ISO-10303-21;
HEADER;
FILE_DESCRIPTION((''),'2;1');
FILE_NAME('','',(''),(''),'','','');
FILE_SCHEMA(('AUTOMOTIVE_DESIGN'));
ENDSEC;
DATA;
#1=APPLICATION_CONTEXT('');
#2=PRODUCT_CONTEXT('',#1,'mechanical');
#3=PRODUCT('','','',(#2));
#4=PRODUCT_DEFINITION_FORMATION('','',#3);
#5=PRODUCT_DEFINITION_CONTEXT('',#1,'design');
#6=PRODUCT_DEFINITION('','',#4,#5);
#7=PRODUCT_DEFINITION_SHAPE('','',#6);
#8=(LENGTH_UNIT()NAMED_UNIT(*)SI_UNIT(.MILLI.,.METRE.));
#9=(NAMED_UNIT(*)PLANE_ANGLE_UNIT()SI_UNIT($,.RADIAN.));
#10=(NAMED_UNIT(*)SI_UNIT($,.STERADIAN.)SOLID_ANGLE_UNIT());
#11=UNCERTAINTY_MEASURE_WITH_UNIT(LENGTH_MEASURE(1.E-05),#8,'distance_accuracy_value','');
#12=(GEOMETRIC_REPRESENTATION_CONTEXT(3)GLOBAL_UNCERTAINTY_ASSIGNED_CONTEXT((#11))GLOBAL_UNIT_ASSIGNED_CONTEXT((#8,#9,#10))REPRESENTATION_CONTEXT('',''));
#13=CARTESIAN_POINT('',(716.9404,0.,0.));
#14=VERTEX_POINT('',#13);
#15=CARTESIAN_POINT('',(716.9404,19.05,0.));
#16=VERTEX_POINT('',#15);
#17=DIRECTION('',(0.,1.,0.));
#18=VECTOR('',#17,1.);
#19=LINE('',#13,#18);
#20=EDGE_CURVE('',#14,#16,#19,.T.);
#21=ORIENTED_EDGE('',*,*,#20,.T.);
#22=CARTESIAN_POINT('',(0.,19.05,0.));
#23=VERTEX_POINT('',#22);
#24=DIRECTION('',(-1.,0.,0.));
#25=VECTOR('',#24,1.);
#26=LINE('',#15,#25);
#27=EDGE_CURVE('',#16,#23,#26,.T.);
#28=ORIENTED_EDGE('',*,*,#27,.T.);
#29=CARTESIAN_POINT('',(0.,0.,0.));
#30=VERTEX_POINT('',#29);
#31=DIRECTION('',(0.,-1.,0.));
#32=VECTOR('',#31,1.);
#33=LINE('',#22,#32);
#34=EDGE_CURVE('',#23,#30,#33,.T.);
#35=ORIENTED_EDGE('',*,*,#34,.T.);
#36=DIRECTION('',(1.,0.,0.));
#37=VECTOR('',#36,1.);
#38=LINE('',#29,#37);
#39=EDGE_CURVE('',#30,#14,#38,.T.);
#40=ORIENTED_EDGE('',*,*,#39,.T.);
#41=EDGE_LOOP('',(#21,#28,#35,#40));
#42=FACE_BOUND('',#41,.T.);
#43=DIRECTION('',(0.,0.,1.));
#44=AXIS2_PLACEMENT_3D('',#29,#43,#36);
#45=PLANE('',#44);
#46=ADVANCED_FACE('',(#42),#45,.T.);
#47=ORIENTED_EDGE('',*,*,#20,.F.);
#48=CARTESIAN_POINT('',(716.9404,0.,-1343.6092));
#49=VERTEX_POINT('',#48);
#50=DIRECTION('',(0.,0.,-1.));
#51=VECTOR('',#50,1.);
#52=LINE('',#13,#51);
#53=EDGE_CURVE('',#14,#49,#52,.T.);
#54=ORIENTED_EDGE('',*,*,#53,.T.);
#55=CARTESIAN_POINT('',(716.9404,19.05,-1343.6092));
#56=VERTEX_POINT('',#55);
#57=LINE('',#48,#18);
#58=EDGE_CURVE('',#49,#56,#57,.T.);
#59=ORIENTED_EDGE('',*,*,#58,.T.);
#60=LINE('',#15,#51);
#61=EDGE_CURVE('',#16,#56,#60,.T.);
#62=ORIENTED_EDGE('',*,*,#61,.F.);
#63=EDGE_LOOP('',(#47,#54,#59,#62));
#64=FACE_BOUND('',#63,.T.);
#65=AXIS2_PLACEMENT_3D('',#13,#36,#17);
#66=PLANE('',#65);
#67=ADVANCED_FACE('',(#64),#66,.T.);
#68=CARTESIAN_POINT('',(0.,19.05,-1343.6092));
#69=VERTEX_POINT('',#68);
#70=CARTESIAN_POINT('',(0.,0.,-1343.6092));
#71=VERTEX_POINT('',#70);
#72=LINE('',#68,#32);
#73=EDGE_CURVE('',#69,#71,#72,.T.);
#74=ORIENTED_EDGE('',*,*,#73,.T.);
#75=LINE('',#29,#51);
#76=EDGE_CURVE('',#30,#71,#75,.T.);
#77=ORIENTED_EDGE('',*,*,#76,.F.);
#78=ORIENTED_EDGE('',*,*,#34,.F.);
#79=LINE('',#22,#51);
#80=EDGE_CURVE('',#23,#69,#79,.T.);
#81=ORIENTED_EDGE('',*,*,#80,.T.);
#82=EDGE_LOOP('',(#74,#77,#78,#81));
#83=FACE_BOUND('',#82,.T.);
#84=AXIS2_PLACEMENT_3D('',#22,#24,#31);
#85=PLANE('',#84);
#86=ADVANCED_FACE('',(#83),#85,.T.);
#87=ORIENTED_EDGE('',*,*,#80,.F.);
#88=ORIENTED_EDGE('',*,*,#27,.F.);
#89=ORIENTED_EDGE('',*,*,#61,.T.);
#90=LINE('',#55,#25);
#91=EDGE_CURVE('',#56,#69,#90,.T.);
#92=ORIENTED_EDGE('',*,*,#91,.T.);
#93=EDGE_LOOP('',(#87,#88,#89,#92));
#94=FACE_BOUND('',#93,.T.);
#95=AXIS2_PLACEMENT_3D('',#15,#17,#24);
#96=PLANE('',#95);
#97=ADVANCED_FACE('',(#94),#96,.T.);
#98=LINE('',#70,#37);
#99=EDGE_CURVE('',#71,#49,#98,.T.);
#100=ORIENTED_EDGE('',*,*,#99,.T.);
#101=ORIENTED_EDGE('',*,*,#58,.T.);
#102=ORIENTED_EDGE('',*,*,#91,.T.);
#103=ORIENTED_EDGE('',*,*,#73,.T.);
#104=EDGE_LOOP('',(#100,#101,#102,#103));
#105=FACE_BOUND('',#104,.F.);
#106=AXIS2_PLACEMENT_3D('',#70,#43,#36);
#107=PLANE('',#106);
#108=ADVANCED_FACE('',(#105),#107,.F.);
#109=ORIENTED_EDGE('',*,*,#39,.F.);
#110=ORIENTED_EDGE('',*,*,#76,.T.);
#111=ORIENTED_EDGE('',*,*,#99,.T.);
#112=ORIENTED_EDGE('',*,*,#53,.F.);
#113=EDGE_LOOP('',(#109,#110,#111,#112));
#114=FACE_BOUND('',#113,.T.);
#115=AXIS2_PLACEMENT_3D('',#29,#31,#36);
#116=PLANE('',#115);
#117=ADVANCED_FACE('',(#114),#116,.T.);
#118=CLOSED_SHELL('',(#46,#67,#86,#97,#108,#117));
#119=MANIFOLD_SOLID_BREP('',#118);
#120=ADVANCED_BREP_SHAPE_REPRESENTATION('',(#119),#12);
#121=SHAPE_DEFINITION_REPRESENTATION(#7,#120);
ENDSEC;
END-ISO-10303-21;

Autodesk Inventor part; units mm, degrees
ref_plane "YZ Plane" through (0, 0, 0) normal (1, 0, 0) x (0, 1, 0)
ref_plane "XZ Plane" through (0, 0, 0) normal (0, 1, 0) x (-1, 0, 0)
ref_plane "XY Plane" through (0, 0, 0) normal (0, 0, 1) x (1, 0, 0)
sketch "Sketch1" plane through (0, 0, 0) normal (0, 0, 1) x (1, 0, 0)
  line L0 (0, 0) -> (716.9404, 0)
  line L1 (716.9404, 0) -> (716.9404, 19.05)
  line L2 (716.9404, 19.05) -> (0, 19.05)
  line L3 (0, 19.05) -> (0, 0)
  dimension "d0" = 716.9404
  dimension "d1" = 19.05
extrude "Extrusion1" add sketch "Sketch1" against normal blind 1343.6092
properties part number "Plywood Base - Mellie Main"
